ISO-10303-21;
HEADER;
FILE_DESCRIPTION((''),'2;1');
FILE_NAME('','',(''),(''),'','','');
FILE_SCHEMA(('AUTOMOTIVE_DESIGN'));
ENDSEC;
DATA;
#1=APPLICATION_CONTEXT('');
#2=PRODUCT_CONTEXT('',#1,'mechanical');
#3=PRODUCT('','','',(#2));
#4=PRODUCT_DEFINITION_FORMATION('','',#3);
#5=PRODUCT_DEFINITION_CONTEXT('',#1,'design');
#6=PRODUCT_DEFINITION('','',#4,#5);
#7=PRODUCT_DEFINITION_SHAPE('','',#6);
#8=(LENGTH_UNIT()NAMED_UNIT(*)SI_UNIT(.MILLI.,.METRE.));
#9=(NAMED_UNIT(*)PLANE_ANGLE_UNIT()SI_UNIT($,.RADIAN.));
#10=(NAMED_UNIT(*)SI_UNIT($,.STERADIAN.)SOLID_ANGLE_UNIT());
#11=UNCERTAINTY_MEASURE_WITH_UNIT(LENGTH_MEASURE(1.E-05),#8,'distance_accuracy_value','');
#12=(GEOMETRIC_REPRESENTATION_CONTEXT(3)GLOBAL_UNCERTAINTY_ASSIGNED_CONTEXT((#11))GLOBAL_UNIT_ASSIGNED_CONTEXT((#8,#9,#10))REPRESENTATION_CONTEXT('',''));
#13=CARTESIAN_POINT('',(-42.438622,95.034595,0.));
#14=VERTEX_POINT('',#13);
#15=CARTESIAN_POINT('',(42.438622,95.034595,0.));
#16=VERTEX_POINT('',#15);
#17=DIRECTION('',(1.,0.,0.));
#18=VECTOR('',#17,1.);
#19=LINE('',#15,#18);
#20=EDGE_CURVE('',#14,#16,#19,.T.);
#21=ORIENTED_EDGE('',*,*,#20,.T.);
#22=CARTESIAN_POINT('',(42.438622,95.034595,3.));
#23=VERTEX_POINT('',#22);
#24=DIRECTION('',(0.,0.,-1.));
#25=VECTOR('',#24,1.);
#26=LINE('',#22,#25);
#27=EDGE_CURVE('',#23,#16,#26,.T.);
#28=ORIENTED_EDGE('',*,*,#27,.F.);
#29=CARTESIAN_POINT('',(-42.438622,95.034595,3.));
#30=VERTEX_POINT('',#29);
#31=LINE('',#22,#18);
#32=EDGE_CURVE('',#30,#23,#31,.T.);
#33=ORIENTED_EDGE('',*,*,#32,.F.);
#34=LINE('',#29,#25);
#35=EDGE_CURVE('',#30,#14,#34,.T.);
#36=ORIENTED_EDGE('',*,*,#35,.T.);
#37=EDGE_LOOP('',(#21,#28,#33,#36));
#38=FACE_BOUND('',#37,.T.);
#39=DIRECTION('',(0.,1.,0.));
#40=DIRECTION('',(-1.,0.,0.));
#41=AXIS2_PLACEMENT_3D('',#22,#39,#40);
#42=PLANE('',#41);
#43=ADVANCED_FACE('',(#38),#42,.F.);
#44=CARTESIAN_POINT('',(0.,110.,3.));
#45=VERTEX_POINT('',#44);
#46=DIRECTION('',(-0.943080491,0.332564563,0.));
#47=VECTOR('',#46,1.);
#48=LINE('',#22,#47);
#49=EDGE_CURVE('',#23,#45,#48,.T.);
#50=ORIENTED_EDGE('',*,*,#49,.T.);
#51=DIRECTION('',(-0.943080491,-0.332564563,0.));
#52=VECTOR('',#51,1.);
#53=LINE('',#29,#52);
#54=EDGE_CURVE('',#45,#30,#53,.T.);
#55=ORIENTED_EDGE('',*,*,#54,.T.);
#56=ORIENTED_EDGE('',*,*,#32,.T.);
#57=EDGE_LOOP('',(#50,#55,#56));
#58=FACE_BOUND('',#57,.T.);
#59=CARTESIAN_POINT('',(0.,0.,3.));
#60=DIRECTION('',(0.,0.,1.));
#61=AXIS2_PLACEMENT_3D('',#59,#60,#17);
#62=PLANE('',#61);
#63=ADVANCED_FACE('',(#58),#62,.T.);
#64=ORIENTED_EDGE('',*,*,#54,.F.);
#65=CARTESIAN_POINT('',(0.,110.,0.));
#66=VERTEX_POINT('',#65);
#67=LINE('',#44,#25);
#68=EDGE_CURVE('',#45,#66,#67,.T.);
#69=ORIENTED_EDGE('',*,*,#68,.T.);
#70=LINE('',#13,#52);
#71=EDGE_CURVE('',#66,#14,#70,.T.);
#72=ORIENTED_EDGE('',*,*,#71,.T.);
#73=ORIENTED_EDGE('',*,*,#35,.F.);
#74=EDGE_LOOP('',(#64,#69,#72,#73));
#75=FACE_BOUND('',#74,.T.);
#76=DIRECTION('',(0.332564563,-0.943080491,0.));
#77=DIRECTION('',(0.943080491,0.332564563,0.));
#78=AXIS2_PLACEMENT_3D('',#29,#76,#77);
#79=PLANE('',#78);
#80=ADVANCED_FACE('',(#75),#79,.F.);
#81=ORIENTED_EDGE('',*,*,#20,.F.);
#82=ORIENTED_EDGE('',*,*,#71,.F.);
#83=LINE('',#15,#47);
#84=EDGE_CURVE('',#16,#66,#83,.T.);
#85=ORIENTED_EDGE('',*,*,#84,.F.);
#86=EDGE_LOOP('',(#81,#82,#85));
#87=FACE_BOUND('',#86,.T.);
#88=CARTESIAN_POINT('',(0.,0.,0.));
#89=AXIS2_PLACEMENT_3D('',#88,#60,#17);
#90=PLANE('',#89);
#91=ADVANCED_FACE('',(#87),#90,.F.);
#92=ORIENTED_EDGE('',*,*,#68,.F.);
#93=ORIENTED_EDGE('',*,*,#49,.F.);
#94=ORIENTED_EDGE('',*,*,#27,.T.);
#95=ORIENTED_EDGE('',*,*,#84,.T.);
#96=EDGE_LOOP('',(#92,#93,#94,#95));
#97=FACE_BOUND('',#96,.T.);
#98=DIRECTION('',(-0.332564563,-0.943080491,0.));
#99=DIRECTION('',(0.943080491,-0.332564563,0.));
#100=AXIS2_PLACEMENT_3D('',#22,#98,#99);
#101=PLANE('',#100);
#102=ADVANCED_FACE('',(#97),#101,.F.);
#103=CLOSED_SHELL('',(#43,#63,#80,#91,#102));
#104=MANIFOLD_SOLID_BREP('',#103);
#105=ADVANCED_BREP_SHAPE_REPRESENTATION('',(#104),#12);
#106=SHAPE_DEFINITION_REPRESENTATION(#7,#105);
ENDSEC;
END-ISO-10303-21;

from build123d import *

# Parameters (mm, degrees)
BOSS_EXTRU_1_DEPTH = 3


with BuildPart() as part:
    # Esquisse1 → Boss.-Extru.1 (new body)
    with BuildSketch(Plane.XY):
        Polygon((42.438622075, 95.034594681), (-42.438622075, 95.034594681), (0, 110), align=None)
    extrude(amount=BOSS_EXTRU_1_DEPTH)


solid = part.part
